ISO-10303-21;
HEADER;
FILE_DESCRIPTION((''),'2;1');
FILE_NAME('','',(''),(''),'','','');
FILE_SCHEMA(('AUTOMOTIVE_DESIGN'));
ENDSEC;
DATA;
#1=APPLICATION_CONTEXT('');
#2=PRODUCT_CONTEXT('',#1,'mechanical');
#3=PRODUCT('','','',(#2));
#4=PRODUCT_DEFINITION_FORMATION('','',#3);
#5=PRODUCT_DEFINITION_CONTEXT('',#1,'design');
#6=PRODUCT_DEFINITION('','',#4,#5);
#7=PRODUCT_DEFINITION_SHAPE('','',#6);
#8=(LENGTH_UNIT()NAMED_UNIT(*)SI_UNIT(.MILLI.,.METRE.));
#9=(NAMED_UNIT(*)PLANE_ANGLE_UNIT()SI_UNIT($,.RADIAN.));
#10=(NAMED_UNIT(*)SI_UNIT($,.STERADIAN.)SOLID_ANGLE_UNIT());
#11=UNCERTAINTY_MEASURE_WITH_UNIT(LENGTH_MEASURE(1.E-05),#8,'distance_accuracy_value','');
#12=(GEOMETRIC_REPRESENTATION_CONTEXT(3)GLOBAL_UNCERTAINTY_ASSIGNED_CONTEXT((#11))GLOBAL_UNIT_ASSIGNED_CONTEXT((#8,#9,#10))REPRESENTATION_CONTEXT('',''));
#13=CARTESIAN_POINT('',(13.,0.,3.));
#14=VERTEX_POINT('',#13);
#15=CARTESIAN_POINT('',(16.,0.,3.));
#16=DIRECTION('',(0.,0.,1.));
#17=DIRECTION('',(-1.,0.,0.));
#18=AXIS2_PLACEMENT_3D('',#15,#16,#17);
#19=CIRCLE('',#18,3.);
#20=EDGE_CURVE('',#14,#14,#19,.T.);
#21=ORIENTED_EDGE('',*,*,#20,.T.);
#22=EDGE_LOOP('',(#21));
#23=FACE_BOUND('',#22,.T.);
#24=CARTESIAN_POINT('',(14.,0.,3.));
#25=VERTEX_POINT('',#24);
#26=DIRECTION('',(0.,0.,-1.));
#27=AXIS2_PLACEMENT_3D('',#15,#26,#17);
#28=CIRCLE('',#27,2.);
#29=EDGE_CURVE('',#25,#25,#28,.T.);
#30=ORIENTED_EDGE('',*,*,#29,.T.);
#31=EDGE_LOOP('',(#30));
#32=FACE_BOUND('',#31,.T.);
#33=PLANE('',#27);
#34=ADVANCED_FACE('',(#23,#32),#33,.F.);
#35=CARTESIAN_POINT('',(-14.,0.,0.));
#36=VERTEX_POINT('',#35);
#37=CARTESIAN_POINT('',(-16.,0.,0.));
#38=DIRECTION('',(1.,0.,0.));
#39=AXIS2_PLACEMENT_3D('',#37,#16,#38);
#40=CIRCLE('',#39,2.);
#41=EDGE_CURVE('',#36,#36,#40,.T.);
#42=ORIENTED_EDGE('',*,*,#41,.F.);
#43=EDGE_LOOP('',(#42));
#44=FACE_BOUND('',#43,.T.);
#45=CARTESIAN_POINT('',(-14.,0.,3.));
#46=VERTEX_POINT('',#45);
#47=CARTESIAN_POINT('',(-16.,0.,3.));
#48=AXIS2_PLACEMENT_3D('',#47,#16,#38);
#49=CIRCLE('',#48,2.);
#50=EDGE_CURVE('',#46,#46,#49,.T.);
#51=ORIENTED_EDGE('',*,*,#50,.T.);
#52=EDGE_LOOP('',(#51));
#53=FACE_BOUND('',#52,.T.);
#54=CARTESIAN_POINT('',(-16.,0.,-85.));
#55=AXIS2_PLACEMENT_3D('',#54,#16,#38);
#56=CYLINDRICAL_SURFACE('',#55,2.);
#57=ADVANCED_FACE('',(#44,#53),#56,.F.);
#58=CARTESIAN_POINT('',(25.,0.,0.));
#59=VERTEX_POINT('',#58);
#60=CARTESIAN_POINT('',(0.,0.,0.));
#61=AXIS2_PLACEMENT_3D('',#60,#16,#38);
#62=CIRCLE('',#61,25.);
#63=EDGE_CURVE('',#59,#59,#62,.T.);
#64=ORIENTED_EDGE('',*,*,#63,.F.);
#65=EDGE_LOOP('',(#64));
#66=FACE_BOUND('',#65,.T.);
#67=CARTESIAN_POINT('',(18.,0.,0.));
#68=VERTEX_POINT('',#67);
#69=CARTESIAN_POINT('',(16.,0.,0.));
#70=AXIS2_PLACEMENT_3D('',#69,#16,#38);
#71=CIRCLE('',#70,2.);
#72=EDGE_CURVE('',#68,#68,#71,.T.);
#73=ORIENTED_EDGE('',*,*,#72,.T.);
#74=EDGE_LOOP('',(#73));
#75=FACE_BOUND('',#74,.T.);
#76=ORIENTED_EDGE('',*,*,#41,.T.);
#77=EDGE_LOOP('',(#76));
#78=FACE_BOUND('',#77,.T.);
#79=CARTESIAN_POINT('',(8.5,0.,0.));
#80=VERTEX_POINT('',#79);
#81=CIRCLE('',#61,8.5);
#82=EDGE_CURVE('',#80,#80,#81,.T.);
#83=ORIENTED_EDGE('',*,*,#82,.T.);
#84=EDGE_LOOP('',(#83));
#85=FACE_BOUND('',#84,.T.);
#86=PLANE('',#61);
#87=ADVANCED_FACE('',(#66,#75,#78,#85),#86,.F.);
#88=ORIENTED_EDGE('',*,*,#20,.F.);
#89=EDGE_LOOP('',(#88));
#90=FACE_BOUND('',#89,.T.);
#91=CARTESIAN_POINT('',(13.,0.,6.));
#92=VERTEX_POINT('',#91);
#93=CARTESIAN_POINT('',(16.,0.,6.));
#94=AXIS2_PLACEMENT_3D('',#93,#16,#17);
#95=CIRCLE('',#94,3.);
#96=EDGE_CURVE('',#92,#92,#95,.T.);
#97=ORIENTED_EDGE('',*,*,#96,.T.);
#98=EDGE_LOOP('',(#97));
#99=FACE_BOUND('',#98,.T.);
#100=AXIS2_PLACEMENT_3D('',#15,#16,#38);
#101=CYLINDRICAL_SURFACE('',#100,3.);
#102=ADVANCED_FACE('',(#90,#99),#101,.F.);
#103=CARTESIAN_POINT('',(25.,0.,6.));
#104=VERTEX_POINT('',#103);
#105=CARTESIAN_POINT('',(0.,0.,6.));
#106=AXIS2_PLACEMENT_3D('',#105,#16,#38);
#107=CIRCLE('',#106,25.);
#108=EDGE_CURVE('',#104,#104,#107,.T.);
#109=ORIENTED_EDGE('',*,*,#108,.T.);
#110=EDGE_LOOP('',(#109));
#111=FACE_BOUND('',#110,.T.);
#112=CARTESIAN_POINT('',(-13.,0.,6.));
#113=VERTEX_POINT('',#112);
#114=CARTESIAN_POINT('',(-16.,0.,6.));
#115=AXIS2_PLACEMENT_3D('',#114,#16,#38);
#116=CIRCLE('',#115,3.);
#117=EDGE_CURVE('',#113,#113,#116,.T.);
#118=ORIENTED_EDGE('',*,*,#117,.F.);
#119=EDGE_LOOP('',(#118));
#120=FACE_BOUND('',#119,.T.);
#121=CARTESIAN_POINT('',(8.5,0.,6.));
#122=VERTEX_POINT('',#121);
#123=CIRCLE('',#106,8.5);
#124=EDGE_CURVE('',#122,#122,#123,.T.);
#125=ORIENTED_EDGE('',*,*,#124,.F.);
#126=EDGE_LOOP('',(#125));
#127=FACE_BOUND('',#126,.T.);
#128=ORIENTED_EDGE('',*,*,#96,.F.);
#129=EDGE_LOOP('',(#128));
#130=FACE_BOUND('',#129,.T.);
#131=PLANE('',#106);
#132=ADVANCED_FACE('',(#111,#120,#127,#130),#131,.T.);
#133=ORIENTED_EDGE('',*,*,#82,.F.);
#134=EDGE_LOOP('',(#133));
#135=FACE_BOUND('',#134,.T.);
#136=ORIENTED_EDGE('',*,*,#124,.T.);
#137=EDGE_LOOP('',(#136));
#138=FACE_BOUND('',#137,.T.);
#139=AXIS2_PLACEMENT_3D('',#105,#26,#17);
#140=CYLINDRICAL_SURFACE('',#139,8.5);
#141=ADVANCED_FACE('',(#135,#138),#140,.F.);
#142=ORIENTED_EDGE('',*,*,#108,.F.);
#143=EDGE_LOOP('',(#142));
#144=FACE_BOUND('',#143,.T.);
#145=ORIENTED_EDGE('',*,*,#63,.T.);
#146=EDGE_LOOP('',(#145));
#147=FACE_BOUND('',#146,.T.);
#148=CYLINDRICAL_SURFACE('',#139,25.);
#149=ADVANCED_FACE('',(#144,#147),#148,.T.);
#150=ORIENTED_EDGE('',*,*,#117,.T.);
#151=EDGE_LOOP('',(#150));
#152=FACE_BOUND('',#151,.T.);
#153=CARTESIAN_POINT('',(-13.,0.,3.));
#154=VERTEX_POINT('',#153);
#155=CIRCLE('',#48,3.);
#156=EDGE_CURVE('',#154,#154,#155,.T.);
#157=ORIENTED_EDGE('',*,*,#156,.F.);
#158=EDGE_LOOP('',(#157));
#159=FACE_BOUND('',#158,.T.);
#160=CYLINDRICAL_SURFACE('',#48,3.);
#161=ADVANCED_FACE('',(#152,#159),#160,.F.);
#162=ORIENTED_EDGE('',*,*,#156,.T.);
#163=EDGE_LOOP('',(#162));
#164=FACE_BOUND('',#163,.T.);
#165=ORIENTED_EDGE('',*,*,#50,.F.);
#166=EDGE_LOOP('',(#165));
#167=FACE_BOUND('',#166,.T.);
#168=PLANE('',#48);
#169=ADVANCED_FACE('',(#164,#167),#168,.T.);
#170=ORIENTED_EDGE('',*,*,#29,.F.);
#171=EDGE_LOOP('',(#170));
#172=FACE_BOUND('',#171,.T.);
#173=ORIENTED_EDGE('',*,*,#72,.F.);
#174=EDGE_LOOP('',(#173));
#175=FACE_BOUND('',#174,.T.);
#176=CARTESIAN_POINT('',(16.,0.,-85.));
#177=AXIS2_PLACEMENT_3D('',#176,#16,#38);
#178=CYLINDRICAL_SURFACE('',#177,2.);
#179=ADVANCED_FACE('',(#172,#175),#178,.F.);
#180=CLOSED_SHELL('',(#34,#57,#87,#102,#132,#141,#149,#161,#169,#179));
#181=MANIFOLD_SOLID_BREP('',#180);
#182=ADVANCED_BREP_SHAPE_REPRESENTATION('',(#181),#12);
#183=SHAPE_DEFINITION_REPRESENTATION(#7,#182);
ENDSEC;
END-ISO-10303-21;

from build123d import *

# Parameters (mm, degrees)
ESQUISSE1_R             = 25
ESQUISSE1_R_2           = 8.5
BOSS_EXTRU_3_DEPTH      = 6
ESQUISSE6_R             = 3
ENL_V_MAT_EXTRU_7_DEPTH = 3
ESQUISSE7_R             = 2
ENL_V_MAT_EXTRU_8_DEPTH = 91


with BuildPart() as part:
    # Esquisse1 → Boss.-Extru.3 (new body)
    with BuildSketch(Plane.XY):
        Circle(ESQUISSE1_R)
        Circle(ESQUISSE1_R_2, mode=Mode.SUBTRACT)
    extrude(amount=BOSS_EXTRU_3_DEPTH)

    # Esquisse6 → Enlèv. mat.-Extru.7 (cut)
    with BuildSketch(Plane.XY.offset(6)):
        with Locations((-16, 0)):
            Circle(ESQUISSE6_R)
        with Locations(Location((16, 0, 0), (0, 0, 180))):
            Circle(ESQUISSE6_R)
    extrude(amount=-ENL_V_MAT_EXTRU_7_DEPTH, mode=Mode.SUBTRACT)

    # Esquisse7 → Enlèv. mat.-Extru.8 (cut)
    with BuildSketch(Plane.XY.offset(6)):
        with Locations((-16, 0)):
            Circle(ESQUISSE7_R)
        with Locations((16, 0)):
            Circle(ESQUISSE7_R)
    extrude(amount=-ENL_V_MAT_EXTRU_8_DEPTH, mode=Mode.SUBTRACT)


solid = part.part
